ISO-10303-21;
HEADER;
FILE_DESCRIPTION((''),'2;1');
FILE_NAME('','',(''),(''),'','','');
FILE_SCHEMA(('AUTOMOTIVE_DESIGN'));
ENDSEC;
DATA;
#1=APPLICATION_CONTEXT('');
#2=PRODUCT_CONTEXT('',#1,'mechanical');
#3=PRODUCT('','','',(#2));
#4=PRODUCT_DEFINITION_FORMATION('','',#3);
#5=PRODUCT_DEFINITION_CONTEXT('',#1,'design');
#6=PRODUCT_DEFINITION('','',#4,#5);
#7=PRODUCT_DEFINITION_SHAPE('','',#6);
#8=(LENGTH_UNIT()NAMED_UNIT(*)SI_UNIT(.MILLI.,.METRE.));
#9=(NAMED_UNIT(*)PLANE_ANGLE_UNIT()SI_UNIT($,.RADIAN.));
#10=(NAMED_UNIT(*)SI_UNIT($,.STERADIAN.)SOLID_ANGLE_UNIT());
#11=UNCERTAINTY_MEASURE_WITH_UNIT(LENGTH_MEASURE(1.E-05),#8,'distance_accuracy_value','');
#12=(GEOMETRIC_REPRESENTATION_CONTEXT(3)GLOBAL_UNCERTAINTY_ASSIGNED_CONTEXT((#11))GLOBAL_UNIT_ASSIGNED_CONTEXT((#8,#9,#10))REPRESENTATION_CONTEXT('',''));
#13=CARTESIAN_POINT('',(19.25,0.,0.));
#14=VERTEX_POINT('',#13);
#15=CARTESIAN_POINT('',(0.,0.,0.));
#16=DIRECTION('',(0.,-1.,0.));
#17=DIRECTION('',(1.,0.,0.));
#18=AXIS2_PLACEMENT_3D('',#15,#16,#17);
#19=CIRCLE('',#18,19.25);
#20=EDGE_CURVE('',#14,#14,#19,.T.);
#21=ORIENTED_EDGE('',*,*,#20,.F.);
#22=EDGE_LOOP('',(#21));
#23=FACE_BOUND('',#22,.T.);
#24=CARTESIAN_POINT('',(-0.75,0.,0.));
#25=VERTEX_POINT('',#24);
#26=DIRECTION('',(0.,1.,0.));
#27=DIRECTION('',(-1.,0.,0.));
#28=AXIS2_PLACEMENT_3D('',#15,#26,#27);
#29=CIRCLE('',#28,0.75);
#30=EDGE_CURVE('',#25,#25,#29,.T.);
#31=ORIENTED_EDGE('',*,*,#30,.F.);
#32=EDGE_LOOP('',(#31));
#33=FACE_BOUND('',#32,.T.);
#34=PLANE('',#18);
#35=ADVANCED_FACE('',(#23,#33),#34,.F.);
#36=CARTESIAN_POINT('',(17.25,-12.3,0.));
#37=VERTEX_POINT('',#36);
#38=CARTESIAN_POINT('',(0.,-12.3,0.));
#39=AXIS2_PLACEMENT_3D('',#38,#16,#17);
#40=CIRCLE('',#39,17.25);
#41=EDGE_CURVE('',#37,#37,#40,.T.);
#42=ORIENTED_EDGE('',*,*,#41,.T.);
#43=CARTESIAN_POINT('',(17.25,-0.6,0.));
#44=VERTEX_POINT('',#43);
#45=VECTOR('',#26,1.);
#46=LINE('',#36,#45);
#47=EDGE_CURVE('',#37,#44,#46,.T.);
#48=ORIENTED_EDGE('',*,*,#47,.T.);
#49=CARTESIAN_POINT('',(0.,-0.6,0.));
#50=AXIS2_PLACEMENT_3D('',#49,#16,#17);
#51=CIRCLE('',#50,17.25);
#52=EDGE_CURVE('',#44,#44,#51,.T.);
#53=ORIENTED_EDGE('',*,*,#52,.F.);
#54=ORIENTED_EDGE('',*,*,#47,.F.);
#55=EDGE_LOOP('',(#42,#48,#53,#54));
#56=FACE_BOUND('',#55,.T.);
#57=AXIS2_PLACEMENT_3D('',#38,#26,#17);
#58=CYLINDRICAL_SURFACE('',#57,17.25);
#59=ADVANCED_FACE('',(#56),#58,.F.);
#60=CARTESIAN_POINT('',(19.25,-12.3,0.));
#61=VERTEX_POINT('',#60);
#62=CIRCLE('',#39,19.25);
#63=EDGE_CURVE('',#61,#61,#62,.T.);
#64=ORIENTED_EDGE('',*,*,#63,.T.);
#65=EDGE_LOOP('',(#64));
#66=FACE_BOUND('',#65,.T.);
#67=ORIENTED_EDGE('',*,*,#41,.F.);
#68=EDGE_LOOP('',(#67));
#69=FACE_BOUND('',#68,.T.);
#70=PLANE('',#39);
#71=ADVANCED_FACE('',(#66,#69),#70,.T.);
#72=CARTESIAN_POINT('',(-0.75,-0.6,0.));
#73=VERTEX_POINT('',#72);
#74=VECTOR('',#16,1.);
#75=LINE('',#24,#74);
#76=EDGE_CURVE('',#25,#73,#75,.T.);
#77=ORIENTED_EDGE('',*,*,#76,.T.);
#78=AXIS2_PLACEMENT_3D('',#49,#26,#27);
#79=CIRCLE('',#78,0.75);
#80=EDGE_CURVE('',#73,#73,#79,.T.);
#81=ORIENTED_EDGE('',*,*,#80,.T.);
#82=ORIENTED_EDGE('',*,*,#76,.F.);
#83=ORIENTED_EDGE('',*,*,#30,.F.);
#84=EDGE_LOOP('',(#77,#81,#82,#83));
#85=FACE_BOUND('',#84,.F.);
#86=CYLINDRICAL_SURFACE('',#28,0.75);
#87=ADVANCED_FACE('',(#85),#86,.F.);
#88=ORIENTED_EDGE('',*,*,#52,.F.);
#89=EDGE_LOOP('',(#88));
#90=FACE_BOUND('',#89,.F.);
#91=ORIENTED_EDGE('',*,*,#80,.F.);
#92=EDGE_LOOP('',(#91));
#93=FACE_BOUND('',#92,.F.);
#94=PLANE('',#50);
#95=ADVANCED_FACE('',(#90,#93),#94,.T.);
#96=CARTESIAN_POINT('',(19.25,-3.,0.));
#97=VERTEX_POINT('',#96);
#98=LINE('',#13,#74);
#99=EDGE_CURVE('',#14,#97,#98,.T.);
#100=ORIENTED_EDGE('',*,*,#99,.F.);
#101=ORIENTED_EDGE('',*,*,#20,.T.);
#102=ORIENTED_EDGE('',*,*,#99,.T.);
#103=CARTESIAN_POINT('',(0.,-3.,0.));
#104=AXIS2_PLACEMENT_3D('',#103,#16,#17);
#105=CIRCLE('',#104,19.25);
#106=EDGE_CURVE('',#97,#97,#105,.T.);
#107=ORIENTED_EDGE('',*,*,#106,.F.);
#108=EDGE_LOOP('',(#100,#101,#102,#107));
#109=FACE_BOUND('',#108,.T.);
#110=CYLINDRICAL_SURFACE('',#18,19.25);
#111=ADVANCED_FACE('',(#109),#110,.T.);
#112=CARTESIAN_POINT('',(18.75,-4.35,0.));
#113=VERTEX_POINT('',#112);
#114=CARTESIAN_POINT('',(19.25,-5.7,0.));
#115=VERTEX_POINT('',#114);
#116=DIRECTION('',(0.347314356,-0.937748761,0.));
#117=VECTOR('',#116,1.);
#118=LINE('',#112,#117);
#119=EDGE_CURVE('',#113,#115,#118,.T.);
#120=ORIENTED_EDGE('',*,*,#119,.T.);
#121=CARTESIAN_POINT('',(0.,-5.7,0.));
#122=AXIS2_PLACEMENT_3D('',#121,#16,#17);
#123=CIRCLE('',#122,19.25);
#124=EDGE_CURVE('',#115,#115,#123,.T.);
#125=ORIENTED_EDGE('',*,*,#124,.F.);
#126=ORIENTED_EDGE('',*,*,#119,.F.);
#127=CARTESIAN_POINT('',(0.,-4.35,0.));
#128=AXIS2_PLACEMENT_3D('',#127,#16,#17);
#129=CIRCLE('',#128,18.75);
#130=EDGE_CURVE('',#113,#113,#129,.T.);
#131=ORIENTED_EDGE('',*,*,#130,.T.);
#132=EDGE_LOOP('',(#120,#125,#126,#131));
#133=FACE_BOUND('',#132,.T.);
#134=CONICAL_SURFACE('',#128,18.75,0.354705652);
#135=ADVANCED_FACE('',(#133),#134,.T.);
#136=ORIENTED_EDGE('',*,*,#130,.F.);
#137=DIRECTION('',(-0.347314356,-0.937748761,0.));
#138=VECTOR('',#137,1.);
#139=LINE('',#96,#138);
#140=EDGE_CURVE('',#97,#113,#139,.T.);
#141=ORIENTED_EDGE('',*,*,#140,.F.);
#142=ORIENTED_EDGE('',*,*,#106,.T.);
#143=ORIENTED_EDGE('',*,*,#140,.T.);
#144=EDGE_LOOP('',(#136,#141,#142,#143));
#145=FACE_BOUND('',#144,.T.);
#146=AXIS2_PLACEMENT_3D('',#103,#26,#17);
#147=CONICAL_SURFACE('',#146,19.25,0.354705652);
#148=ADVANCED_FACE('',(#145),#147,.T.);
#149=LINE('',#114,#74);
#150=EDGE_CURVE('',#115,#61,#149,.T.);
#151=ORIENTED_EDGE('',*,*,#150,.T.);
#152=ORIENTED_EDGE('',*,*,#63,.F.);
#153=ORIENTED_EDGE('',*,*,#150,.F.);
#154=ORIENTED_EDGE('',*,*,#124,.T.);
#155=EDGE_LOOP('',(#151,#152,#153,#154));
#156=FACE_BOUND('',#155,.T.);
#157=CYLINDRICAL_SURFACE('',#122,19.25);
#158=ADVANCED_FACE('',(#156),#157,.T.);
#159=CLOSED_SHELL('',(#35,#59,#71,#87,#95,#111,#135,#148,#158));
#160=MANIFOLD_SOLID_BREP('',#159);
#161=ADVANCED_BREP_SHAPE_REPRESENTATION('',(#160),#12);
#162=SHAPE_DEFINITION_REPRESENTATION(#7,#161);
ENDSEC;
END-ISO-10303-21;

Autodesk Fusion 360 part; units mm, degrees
sketch "Sketch1" plane through (0, 0, 0) normal (0, 0, 1) x (1, 0, 0)
  line L0 (0, 0) -> (19.25, 0)
  line L1 (19.25, 0) -> (19.25, -3)
  line L2 (19.25, -3) -> (19.25, -5.7)
  line L3 (19.25, -5.7) -> (19.25, -12.3)
  line L4 (19.25, -12.3) -> (17.25, -12.3)
  line L5 (17.25, -12.3) -> (17.25, -0.6)
  line L6 (19.25, -3) -> (19.25, -4.35) construction
  line L7 (19.25, -4.35) -> (18.75, -4.35) construction
  line L8 (19.25, -3) -> (18.75, -4.35)
  line L9 (18.75, -4.35) -> (19.25, -5.7)
  line L10 (0, 0) -> (0, -0.6)
  line L11 (0, -0.6) -> (17.25, -0.6)
  dimension "d1" = 19.25
  dimension "d2" = 3
  dimension "d4" = 2.7
  dimension "d5" = 6.6
  dimension "d6" = 2
  dimension "d7" = 11.7
  dimension "d8" = 1.35
  dimension "d9" = 0.5
  dimension "d10" = 17.25
  dimension "d11" = 0.6
  dimension "d12" = 19.25
revolve "Revolve1" add sketch "Sketch1" angle 360 about axis through (0, 0, 0) along (0, -1, 0) contours L0 L1 L3 L4 L5 L8 L9 L10 L11
sketch "Sketch2" plane through (0, 0, 0) normal (0, 1, 0) x (-1, 0, 0)
  circle A0 centre (0, 0) radius 19.25
  circle A1 centre (0, 0) radius 18.825
  circle A2 centre (0, 0) radius 0.75
  dimension "d14" = 38.5
  dimension "d15" = 37.65
  dimension "d16" = 1.5
extrude "Extrude1" cut sketch "Sketch2" against normal blind 3 contours A2
equation "d15 = d14 - 0.85 mm"
